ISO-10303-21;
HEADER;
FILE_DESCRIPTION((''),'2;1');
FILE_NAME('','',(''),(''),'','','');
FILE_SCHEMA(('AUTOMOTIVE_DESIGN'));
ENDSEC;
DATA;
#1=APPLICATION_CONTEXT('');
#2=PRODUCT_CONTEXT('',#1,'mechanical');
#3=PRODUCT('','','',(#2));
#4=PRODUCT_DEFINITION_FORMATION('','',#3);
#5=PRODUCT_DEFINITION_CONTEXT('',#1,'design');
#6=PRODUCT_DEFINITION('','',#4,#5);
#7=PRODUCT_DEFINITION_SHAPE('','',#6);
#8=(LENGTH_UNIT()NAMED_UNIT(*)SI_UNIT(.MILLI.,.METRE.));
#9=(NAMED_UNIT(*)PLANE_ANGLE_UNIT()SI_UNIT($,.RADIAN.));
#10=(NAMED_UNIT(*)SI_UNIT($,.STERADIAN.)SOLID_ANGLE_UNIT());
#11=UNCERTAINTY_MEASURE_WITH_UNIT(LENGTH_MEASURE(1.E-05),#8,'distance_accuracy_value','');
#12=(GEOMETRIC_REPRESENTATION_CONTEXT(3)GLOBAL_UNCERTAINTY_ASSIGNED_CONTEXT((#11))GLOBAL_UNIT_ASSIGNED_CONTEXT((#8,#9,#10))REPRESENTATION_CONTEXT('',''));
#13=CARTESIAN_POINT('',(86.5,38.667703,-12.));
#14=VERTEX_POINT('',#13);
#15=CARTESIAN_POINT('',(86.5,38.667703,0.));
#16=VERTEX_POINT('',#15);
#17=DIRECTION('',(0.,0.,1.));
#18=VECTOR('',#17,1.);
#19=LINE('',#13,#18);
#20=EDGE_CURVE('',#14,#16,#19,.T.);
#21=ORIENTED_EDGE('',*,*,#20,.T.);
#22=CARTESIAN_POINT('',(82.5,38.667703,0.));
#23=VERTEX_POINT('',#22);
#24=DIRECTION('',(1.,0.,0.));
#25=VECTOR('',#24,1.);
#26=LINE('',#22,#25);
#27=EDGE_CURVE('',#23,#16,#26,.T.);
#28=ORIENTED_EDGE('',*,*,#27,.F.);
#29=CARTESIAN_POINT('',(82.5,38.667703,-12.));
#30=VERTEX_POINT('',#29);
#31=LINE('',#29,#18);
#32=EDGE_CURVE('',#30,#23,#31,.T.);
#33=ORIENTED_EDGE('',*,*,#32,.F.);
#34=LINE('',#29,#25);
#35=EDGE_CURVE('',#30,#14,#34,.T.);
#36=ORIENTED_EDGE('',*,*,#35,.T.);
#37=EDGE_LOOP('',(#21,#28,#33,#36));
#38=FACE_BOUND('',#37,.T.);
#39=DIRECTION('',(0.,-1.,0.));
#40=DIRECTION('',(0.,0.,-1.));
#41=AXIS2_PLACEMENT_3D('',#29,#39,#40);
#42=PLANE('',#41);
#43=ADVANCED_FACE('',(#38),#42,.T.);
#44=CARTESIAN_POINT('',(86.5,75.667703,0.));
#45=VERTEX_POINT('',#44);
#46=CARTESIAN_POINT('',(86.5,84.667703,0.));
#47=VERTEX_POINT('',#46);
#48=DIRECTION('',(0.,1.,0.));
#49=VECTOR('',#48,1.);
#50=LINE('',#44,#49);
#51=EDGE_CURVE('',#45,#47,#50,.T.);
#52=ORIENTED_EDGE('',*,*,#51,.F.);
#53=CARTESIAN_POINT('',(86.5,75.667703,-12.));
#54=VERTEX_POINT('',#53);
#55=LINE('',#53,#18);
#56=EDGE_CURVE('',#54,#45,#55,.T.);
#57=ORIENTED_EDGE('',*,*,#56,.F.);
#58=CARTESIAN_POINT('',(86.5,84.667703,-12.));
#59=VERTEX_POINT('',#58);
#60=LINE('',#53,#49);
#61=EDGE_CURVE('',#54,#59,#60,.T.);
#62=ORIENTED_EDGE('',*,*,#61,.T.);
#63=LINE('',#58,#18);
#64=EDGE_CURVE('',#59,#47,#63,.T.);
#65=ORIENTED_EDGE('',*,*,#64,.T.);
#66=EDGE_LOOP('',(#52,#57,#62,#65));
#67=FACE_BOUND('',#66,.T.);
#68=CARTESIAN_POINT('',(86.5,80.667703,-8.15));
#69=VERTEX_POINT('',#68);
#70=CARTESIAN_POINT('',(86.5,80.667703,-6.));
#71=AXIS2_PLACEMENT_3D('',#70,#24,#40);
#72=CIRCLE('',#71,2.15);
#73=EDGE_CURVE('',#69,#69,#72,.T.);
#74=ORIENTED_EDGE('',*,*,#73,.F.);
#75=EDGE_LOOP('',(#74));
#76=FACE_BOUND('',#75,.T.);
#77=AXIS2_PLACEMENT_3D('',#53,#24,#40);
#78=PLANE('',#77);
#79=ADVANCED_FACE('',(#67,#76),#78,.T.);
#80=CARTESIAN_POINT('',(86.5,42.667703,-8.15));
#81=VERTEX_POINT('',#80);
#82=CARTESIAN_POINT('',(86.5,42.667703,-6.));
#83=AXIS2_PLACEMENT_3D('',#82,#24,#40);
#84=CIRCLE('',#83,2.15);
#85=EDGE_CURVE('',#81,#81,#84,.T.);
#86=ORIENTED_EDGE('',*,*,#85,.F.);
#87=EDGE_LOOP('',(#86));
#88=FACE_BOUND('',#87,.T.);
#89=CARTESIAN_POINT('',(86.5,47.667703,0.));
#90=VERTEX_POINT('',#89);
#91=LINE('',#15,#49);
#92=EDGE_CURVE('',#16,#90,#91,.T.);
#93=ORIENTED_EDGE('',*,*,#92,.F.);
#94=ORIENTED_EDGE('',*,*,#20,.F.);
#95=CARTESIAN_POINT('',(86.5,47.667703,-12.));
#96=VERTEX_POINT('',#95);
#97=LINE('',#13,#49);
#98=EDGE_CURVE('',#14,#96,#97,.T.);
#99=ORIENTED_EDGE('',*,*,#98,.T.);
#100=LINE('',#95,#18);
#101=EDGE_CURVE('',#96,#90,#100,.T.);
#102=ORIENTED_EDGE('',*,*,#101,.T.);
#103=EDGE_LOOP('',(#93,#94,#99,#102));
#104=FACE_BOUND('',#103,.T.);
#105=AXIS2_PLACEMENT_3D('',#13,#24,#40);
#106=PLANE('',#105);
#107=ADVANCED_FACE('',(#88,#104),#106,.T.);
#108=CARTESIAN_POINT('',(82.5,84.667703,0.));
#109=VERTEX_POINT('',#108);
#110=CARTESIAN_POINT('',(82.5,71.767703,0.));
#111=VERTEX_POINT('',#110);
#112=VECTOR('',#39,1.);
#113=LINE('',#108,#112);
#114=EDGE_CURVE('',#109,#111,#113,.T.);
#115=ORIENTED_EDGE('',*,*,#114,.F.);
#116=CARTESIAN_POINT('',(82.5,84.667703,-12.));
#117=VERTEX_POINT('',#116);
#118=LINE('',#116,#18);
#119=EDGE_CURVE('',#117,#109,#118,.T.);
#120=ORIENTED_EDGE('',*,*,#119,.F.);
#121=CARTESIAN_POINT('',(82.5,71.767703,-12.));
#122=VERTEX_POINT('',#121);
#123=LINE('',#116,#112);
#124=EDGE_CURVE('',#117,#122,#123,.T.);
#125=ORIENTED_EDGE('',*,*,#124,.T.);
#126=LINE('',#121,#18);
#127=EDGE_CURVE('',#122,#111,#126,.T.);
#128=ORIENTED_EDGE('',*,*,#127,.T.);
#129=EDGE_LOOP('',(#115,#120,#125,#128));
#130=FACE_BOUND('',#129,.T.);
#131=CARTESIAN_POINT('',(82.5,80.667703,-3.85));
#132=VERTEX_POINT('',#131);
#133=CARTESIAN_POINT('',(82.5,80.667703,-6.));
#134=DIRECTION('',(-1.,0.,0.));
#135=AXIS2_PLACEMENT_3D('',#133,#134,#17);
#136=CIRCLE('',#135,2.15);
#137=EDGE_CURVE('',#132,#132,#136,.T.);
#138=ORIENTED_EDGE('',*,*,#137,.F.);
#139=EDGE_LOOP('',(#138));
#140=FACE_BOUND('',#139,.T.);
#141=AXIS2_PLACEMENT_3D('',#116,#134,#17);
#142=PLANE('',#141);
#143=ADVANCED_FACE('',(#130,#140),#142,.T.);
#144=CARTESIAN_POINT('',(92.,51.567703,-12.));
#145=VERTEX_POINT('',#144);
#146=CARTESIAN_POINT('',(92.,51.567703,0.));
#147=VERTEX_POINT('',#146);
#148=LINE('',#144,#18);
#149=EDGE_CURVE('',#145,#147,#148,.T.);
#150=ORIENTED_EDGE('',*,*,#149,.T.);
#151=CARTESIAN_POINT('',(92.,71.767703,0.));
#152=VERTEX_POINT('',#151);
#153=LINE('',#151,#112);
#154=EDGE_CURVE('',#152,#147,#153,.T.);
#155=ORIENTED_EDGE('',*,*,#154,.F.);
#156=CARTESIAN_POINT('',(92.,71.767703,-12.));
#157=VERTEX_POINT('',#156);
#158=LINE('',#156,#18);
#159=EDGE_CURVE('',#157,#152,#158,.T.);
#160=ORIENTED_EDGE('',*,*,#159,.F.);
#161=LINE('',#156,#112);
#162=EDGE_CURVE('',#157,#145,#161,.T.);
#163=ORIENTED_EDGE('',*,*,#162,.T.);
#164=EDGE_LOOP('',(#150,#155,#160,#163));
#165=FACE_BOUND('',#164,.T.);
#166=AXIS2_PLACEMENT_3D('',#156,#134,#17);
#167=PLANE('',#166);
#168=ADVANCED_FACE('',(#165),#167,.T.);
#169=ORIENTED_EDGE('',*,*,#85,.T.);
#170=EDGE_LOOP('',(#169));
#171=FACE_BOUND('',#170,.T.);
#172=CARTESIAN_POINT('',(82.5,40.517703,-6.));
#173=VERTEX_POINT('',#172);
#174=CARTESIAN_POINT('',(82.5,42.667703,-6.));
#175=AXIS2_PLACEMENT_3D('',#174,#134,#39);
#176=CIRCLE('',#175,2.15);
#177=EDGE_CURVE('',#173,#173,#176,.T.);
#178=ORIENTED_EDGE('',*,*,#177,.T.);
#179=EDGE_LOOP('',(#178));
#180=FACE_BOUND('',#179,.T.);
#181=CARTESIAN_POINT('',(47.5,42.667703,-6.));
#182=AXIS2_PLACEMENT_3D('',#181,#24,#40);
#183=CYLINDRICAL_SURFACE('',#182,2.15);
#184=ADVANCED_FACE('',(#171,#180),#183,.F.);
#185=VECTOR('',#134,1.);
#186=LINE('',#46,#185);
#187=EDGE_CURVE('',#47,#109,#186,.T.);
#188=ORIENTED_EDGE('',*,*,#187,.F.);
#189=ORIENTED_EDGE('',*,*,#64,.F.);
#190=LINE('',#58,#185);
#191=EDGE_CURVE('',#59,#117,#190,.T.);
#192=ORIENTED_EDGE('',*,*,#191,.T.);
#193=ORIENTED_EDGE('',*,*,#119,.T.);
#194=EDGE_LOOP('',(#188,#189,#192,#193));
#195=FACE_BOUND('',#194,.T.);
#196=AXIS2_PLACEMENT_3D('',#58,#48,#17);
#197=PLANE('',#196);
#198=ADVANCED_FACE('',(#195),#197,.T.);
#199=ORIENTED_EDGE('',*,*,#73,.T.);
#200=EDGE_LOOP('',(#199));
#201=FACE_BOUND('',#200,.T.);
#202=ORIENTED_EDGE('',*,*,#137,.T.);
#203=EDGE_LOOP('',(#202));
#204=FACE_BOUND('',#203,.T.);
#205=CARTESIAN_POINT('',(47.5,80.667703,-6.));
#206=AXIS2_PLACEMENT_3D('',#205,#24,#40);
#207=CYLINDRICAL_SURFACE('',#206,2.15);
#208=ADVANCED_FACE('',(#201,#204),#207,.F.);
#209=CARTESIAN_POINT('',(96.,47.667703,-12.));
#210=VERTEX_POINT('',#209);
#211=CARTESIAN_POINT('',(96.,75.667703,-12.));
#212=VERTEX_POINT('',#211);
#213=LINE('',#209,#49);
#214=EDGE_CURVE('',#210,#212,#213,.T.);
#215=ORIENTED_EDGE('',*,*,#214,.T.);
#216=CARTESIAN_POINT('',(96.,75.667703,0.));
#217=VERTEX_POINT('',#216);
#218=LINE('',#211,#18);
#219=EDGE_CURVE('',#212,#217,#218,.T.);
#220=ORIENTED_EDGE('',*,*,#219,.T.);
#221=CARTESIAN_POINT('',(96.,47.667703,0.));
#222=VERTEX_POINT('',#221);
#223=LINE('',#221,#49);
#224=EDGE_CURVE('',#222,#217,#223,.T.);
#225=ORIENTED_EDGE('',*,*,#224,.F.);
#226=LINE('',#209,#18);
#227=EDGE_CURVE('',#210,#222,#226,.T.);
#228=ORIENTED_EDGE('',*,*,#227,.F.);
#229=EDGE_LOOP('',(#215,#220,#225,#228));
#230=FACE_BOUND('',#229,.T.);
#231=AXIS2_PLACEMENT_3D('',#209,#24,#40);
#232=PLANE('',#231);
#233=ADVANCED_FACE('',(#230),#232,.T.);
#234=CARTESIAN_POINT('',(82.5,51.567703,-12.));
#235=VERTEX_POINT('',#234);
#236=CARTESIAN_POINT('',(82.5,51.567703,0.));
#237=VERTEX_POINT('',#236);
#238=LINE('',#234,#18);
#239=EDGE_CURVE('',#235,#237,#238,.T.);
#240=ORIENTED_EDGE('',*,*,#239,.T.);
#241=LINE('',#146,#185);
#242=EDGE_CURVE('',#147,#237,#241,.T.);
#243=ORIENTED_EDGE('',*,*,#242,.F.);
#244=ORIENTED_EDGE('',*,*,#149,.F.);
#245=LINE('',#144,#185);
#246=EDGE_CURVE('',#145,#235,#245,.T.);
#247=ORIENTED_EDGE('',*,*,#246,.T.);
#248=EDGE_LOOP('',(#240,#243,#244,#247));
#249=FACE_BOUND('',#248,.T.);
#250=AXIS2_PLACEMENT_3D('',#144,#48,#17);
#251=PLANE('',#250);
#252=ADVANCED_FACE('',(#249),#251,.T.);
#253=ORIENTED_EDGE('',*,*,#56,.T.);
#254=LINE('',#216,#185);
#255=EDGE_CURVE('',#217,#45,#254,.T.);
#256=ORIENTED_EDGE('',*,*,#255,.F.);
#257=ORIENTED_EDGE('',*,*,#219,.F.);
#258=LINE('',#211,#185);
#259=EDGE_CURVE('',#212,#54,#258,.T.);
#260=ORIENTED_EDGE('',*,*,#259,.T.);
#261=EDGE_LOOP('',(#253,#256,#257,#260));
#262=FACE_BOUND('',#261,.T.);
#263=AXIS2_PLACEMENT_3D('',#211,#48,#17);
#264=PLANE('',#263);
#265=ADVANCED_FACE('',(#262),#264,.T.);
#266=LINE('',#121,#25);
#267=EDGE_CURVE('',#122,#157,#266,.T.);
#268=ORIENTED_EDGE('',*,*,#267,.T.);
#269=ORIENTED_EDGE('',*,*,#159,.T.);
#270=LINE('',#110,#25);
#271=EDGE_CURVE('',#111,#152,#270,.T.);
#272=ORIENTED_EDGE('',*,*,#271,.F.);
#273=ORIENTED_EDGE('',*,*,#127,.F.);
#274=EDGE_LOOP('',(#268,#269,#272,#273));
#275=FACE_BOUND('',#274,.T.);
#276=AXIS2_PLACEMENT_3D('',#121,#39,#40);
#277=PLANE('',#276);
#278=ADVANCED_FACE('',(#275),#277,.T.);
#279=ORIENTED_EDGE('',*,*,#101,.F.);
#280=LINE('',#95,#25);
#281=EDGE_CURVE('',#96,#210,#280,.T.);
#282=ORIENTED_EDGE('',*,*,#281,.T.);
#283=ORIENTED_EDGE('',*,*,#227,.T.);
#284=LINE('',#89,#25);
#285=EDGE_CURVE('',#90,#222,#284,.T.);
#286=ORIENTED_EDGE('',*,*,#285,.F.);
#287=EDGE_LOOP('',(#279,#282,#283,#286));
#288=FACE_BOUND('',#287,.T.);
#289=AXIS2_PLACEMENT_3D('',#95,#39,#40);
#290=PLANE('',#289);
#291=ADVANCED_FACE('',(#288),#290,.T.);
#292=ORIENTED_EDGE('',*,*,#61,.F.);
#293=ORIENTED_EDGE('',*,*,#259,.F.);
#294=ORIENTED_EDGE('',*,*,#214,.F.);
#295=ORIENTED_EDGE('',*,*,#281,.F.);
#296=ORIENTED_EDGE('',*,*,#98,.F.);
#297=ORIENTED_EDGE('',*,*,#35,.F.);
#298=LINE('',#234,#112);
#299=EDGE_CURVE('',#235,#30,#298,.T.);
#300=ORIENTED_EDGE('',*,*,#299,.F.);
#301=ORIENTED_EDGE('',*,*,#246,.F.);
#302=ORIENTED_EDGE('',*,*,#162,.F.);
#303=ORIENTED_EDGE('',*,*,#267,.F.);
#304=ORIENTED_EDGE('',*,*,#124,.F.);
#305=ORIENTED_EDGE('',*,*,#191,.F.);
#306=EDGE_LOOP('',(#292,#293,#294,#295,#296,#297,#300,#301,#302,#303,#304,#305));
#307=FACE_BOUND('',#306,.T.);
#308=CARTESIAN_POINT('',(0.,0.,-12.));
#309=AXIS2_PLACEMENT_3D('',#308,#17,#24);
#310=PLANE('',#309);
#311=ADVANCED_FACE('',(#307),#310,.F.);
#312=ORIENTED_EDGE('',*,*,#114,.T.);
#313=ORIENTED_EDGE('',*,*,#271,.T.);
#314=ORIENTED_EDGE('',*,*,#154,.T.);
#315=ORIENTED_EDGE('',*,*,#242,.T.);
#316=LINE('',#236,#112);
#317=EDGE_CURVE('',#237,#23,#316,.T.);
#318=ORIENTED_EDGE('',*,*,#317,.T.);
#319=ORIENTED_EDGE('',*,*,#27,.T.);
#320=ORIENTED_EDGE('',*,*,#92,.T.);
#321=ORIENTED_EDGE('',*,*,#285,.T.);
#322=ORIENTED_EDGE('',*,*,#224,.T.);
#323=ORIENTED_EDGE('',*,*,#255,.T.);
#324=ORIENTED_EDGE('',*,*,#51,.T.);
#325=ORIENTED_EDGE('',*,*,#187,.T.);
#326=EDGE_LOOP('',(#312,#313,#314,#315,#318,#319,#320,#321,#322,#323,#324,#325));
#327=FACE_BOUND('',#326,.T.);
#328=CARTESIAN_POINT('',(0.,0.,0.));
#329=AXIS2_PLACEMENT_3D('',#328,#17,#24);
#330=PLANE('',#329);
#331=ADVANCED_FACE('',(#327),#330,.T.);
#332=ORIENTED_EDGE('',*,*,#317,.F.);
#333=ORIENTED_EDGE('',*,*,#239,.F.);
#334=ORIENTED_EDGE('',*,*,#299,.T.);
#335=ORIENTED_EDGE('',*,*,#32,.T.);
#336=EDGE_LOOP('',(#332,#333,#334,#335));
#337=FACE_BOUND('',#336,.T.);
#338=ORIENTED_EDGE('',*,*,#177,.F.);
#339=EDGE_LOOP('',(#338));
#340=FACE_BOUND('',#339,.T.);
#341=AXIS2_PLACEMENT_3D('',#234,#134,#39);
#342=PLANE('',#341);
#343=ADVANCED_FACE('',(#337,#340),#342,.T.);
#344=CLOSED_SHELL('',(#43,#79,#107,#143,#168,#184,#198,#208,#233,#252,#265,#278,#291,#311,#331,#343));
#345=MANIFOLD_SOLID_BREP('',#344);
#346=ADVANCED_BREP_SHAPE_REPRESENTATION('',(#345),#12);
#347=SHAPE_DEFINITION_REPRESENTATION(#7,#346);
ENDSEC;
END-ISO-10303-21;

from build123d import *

# Parameters (mm, degrees)
BOSS_EXTRUDE1_DEPTH = 12
SKETCH2_R           = 2.15
CUT_EXTRUDE1_DEPTH  = 39


with BuildPart() as part:
    # Sketch1 → Boss-Extrude1 (new body)
    with BuildSketch(Plane.XY):
        Polygon((82.5, 84.667703031), (82.5, 71.767703031), (92, 71.767703031), (92, 51.567703031), (82.5, 51.567703031), (82.5, 38.667703031), (86.5, 38.667703031), (86.5, 47.667703031), (96, 47.667703031), (96, 75.667703031), (86.5, 75.667703031), (86.5, 84.667703031), align=None)
    extrude(amount=-BOSS_EXTRUDE1_DEPTH)

    # Sketch2 → Cut-Extrude1 (cut)
    with BuildSketch(Plane(origin=(86.5, 0, 0), x_dir=(0, 0, -1), z_dir=(1, 0, 0))):
        with Locations((6, 42.667703031)):
            Circle(SKETCH2_R)
        with Locations((6, 80.667703031)):
            Circle(SKETCH2_R)
    extrude(amount=-CUT_EXTRUDE1_DEPTH, mode=Mode.SUBTRACT)


solid = part.part
